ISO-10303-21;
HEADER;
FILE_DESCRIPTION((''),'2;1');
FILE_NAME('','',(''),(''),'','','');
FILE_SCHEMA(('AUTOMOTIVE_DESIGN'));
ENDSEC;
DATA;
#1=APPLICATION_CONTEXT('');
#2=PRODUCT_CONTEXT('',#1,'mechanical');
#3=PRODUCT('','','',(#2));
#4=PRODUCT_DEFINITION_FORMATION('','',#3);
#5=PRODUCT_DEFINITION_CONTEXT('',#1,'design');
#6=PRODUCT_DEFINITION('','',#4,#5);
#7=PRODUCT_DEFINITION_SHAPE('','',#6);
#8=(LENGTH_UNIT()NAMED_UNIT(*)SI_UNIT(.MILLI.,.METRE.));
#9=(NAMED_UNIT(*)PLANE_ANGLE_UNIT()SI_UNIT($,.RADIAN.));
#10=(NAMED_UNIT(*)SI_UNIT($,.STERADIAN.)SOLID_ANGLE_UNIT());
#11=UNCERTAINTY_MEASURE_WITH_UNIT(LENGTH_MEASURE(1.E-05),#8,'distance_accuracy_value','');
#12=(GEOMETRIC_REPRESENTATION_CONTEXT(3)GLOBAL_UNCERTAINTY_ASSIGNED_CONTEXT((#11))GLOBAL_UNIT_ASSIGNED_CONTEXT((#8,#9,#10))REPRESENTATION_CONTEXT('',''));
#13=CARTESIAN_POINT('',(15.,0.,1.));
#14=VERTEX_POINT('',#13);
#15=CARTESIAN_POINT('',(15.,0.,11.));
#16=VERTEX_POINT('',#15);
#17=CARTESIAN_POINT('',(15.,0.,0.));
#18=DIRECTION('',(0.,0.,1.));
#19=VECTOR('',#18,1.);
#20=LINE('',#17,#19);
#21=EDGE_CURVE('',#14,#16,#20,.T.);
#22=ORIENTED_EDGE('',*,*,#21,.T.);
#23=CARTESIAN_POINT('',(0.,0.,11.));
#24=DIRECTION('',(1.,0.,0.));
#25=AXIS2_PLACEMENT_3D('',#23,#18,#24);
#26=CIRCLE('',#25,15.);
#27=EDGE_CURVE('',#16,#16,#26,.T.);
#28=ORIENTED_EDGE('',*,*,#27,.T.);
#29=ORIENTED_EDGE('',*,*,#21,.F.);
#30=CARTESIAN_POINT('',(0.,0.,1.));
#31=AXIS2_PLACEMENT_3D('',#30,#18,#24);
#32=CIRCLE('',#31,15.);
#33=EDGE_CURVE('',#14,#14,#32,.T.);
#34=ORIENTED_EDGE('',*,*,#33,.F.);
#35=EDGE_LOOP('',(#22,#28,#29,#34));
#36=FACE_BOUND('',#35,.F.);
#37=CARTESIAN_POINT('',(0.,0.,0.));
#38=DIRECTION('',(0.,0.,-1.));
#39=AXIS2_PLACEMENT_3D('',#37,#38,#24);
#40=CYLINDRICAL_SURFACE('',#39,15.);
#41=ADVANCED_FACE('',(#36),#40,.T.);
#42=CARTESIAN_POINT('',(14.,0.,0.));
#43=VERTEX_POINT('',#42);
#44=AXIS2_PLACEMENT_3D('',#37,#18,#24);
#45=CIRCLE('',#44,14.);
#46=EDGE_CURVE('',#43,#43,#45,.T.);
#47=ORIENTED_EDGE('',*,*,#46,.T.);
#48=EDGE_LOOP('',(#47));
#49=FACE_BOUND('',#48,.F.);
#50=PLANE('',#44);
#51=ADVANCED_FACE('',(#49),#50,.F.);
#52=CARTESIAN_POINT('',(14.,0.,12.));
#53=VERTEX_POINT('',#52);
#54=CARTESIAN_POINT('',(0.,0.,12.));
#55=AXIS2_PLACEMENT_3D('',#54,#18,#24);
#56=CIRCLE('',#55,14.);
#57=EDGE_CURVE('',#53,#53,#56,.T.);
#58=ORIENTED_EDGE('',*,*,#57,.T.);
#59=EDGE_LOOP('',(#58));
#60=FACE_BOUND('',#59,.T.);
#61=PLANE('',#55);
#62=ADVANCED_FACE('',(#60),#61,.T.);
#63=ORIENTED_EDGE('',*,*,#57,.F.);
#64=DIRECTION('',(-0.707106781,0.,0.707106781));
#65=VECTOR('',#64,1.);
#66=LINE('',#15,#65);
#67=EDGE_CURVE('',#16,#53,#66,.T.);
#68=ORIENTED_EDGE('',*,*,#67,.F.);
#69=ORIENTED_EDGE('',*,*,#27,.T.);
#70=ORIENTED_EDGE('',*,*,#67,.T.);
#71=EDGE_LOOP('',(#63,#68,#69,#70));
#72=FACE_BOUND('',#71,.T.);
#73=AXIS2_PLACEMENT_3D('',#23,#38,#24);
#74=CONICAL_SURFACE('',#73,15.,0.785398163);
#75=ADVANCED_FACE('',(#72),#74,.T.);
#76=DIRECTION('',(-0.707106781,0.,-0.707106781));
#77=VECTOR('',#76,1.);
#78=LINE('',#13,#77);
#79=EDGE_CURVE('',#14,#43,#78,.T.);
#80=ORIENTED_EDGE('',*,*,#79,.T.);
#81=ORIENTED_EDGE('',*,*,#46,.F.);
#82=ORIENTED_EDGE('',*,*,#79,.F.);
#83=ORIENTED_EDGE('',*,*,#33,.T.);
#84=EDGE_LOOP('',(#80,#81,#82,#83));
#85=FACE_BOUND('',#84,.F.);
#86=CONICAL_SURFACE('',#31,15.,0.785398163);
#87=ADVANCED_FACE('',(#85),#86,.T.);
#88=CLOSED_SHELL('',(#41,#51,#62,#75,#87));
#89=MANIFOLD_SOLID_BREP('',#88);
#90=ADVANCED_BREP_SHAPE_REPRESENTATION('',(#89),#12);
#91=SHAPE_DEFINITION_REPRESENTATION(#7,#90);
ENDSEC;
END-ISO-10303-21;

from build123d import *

# Parameters (mm, degrees)
SKETCH_R     = 15
PAD_DEPTH    = 12
CHAMFER_SIZE = 1


with BuildPart() as part:
    # Sketch → Pad (new body)
    with BuildSketch(Plane.XY):
        Circle(SKETCH_R)
    extrude(amount=PAD_DEPTH)

    # Chamfer
    chamfer_edges = [part.edges().sort_by_distance(p)[0] for p in [
        (-15, 0, 12),
        (-15, 0, 0),
    ]]
    chamfer(chamfer_edges, length=CHAMFER_SIZE)


solid = part.part
